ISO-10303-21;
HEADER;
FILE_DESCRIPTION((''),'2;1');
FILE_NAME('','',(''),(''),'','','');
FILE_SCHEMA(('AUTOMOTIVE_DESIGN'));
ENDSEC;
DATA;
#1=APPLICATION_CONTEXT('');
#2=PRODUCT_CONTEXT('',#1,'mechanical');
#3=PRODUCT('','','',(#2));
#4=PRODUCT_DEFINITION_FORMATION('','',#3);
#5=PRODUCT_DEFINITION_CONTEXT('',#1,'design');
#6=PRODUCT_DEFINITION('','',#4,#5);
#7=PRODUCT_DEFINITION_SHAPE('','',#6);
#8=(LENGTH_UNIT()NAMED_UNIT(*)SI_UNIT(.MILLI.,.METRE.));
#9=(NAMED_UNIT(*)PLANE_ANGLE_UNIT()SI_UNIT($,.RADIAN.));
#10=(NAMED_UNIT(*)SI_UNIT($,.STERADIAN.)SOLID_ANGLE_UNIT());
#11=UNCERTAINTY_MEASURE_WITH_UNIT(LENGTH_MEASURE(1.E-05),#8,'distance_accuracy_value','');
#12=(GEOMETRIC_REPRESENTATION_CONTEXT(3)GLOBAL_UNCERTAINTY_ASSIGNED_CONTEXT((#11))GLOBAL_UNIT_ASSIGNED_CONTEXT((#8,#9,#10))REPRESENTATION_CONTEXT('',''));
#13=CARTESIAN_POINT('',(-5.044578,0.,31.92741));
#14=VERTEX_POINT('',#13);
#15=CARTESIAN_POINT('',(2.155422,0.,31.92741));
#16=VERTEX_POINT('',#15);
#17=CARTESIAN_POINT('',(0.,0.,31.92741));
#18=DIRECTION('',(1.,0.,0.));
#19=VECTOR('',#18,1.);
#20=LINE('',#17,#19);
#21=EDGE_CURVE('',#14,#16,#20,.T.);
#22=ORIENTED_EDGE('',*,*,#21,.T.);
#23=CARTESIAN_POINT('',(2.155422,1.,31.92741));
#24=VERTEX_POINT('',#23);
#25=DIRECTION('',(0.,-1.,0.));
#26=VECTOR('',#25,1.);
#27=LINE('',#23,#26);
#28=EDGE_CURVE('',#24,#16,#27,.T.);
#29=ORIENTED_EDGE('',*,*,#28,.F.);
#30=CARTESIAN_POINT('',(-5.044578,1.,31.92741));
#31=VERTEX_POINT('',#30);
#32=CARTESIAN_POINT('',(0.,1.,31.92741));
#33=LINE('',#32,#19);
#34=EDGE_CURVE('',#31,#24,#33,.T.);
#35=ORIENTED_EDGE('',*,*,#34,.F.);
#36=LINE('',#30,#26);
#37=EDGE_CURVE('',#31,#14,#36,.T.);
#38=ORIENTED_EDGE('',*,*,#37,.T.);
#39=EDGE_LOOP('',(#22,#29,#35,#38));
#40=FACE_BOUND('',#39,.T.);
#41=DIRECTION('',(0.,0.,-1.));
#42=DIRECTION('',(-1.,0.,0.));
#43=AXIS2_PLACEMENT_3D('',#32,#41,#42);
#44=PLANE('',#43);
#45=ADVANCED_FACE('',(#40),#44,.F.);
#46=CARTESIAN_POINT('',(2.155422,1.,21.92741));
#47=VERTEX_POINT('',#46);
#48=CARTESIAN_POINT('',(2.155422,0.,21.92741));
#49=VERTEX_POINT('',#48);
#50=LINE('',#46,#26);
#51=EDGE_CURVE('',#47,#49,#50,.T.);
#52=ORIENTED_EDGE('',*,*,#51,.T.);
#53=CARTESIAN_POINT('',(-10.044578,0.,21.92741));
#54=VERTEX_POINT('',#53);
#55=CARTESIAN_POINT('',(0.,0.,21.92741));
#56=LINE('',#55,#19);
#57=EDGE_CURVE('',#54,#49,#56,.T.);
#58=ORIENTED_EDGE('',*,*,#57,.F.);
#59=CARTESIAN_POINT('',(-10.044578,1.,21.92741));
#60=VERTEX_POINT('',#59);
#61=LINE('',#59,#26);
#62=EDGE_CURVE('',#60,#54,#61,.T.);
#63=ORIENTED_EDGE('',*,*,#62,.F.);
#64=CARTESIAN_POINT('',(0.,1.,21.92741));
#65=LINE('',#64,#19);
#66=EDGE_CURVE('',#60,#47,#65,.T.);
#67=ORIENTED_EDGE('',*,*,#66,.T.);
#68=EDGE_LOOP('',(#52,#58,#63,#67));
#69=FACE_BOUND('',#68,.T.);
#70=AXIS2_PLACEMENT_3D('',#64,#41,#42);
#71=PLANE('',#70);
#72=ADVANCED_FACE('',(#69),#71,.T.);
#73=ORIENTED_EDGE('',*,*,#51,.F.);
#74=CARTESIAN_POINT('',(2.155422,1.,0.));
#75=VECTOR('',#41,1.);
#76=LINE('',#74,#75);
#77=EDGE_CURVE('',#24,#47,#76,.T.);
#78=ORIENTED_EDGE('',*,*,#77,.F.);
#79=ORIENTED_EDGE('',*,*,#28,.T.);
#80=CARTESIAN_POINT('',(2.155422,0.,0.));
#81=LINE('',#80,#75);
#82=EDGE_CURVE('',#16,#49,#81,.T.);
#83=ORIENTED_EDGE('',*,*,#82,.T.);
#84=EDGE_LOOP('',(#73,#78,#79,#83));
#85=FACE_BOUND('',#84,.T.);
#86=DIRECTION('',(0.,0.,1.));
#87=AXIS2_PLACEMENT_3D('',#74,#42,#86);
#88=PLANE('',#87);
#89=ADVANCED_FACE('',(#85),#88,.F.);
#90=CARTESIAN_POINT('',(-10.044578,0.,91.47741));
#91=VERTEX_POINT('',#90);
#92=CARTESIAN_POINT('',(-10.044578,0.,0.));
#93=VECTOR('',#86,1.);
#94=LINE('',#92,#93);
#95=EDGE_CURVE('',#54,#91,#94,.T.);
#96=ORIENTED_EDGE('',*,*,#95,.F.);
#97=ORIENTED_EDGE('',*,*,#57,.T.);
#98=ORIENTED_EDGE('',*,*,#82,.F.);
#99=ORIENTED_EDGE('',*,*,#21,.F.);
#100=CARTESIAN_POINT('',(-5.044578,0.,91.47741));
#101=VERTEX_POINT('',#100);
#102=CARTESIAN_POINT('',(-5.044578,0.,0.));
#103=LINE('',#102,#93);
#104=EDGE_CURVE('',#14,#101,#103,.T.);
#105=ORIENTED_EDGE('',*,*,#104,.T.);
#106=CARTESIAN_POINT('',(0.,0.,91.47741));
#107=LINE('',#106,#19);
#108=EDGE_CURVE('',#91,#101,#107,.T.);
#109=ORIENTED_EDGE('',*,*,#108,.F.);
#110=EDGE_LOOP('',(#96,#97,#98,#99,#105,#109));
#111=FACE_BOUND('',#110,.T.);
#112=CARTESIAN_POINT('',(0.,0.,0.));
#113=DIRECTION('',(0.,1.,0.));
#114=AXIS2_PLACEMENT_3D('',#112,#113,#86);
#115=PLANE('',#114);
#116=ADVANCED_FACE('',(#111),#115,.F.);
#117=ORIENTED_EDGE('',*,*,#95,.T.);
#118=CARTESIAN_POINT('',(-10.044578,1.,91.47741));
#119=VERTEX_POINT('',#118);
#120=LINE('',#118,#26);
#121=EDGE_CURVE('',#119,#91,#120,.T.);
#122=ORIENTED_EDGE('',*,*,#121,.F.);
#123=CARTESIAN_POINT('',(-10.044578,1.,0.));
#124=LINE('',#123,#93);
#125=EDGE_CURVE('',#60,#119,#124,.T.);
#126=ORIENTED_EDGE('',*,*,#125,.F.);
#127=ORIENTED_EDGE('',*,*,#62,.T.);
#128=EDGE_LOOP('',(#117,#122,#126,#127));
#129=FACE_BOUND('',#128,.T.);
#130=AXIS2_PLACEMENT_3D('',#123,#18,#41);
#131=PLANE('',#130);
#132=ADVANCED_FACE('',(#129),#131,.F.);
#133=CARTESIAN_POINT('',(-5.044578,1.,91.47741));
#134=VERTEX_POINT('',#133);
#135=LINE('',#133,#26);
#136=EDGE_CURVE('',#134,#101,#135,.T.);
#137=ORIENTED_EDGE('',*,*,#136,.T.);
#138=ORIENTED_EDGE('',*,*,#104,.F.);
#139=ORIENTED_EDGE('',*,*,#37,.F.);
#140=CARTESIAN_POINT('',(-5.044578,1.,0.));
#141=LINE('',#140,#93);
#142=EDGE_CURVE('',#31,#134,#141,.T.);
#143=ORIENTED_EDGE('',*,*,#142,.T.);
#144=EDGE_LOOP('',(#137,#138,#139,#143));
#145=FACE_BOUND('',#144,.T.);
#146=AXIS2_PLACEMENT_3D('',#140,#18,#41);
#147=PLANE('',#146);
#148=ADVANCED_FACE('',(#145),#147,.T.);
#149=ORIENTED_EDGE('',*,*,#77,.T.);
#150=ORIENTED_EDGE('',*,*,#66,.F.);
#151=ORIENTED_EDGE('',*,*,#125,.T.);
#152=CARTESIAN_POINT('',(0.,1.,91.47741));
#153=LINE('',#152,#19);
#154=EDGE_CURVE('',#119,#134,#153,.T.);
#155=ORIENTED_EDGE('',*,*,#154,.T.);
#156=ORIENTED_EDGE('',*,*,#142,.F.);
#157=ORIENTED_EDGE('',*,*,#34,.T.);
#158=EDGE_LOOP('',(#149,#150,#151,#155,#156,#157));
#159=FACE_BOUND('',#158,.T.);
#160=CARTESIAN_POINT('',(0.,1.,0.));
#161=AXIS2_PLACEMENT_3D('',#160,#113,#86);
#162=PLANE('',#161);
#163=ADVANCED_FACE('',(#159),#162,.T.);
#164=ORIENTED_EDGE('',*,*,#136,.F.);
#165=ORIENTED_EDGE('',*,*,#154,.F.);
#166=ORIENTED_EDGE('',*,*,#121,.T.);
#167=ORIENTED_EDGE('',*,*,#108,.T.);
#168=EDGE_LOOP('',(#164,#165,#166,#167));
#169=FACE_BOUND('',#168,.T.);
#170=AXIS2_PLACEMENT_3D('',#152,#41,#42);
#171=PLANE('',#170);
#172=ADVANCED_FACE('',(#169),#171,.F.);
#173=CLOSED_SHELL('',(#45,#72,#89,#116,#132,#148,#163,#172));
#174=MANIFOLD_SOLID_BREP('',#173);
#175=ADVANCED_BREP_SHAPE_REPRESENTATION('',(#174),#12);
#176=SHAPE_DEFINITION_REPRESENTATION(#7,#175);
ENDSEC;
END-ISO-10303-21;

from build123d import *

# Parameters (mm, degrees)
SKETCH2_W           = 5
SKETCH2_H           = 59.55
BOSS_EXTRUDE2_DEPTH = 1


with BuildPart() as part:
    # Sketch2 → Boss-Extrude2 (new body)
    with BuildSketch(Plane(origin=(0, 0, 0), x_dir=(1, 0, 0), z_dir=(0, 1, 0))):
        with Locations((-7.544578313, -61.702409639)):
            Rectangle(SKETCH2_W, SKETCH2_H)
        Polygon((-10.044578313, -21.927409639), (-10.044578313, -31.927409639), (-5.044578313, -31.927409639), (2.155421687, -31.927409639), (2.155421687, -21.927409639), align=None)
    extrude(amount=BOSS_EXTRUDE2_DEPTH)


solid = part.part
